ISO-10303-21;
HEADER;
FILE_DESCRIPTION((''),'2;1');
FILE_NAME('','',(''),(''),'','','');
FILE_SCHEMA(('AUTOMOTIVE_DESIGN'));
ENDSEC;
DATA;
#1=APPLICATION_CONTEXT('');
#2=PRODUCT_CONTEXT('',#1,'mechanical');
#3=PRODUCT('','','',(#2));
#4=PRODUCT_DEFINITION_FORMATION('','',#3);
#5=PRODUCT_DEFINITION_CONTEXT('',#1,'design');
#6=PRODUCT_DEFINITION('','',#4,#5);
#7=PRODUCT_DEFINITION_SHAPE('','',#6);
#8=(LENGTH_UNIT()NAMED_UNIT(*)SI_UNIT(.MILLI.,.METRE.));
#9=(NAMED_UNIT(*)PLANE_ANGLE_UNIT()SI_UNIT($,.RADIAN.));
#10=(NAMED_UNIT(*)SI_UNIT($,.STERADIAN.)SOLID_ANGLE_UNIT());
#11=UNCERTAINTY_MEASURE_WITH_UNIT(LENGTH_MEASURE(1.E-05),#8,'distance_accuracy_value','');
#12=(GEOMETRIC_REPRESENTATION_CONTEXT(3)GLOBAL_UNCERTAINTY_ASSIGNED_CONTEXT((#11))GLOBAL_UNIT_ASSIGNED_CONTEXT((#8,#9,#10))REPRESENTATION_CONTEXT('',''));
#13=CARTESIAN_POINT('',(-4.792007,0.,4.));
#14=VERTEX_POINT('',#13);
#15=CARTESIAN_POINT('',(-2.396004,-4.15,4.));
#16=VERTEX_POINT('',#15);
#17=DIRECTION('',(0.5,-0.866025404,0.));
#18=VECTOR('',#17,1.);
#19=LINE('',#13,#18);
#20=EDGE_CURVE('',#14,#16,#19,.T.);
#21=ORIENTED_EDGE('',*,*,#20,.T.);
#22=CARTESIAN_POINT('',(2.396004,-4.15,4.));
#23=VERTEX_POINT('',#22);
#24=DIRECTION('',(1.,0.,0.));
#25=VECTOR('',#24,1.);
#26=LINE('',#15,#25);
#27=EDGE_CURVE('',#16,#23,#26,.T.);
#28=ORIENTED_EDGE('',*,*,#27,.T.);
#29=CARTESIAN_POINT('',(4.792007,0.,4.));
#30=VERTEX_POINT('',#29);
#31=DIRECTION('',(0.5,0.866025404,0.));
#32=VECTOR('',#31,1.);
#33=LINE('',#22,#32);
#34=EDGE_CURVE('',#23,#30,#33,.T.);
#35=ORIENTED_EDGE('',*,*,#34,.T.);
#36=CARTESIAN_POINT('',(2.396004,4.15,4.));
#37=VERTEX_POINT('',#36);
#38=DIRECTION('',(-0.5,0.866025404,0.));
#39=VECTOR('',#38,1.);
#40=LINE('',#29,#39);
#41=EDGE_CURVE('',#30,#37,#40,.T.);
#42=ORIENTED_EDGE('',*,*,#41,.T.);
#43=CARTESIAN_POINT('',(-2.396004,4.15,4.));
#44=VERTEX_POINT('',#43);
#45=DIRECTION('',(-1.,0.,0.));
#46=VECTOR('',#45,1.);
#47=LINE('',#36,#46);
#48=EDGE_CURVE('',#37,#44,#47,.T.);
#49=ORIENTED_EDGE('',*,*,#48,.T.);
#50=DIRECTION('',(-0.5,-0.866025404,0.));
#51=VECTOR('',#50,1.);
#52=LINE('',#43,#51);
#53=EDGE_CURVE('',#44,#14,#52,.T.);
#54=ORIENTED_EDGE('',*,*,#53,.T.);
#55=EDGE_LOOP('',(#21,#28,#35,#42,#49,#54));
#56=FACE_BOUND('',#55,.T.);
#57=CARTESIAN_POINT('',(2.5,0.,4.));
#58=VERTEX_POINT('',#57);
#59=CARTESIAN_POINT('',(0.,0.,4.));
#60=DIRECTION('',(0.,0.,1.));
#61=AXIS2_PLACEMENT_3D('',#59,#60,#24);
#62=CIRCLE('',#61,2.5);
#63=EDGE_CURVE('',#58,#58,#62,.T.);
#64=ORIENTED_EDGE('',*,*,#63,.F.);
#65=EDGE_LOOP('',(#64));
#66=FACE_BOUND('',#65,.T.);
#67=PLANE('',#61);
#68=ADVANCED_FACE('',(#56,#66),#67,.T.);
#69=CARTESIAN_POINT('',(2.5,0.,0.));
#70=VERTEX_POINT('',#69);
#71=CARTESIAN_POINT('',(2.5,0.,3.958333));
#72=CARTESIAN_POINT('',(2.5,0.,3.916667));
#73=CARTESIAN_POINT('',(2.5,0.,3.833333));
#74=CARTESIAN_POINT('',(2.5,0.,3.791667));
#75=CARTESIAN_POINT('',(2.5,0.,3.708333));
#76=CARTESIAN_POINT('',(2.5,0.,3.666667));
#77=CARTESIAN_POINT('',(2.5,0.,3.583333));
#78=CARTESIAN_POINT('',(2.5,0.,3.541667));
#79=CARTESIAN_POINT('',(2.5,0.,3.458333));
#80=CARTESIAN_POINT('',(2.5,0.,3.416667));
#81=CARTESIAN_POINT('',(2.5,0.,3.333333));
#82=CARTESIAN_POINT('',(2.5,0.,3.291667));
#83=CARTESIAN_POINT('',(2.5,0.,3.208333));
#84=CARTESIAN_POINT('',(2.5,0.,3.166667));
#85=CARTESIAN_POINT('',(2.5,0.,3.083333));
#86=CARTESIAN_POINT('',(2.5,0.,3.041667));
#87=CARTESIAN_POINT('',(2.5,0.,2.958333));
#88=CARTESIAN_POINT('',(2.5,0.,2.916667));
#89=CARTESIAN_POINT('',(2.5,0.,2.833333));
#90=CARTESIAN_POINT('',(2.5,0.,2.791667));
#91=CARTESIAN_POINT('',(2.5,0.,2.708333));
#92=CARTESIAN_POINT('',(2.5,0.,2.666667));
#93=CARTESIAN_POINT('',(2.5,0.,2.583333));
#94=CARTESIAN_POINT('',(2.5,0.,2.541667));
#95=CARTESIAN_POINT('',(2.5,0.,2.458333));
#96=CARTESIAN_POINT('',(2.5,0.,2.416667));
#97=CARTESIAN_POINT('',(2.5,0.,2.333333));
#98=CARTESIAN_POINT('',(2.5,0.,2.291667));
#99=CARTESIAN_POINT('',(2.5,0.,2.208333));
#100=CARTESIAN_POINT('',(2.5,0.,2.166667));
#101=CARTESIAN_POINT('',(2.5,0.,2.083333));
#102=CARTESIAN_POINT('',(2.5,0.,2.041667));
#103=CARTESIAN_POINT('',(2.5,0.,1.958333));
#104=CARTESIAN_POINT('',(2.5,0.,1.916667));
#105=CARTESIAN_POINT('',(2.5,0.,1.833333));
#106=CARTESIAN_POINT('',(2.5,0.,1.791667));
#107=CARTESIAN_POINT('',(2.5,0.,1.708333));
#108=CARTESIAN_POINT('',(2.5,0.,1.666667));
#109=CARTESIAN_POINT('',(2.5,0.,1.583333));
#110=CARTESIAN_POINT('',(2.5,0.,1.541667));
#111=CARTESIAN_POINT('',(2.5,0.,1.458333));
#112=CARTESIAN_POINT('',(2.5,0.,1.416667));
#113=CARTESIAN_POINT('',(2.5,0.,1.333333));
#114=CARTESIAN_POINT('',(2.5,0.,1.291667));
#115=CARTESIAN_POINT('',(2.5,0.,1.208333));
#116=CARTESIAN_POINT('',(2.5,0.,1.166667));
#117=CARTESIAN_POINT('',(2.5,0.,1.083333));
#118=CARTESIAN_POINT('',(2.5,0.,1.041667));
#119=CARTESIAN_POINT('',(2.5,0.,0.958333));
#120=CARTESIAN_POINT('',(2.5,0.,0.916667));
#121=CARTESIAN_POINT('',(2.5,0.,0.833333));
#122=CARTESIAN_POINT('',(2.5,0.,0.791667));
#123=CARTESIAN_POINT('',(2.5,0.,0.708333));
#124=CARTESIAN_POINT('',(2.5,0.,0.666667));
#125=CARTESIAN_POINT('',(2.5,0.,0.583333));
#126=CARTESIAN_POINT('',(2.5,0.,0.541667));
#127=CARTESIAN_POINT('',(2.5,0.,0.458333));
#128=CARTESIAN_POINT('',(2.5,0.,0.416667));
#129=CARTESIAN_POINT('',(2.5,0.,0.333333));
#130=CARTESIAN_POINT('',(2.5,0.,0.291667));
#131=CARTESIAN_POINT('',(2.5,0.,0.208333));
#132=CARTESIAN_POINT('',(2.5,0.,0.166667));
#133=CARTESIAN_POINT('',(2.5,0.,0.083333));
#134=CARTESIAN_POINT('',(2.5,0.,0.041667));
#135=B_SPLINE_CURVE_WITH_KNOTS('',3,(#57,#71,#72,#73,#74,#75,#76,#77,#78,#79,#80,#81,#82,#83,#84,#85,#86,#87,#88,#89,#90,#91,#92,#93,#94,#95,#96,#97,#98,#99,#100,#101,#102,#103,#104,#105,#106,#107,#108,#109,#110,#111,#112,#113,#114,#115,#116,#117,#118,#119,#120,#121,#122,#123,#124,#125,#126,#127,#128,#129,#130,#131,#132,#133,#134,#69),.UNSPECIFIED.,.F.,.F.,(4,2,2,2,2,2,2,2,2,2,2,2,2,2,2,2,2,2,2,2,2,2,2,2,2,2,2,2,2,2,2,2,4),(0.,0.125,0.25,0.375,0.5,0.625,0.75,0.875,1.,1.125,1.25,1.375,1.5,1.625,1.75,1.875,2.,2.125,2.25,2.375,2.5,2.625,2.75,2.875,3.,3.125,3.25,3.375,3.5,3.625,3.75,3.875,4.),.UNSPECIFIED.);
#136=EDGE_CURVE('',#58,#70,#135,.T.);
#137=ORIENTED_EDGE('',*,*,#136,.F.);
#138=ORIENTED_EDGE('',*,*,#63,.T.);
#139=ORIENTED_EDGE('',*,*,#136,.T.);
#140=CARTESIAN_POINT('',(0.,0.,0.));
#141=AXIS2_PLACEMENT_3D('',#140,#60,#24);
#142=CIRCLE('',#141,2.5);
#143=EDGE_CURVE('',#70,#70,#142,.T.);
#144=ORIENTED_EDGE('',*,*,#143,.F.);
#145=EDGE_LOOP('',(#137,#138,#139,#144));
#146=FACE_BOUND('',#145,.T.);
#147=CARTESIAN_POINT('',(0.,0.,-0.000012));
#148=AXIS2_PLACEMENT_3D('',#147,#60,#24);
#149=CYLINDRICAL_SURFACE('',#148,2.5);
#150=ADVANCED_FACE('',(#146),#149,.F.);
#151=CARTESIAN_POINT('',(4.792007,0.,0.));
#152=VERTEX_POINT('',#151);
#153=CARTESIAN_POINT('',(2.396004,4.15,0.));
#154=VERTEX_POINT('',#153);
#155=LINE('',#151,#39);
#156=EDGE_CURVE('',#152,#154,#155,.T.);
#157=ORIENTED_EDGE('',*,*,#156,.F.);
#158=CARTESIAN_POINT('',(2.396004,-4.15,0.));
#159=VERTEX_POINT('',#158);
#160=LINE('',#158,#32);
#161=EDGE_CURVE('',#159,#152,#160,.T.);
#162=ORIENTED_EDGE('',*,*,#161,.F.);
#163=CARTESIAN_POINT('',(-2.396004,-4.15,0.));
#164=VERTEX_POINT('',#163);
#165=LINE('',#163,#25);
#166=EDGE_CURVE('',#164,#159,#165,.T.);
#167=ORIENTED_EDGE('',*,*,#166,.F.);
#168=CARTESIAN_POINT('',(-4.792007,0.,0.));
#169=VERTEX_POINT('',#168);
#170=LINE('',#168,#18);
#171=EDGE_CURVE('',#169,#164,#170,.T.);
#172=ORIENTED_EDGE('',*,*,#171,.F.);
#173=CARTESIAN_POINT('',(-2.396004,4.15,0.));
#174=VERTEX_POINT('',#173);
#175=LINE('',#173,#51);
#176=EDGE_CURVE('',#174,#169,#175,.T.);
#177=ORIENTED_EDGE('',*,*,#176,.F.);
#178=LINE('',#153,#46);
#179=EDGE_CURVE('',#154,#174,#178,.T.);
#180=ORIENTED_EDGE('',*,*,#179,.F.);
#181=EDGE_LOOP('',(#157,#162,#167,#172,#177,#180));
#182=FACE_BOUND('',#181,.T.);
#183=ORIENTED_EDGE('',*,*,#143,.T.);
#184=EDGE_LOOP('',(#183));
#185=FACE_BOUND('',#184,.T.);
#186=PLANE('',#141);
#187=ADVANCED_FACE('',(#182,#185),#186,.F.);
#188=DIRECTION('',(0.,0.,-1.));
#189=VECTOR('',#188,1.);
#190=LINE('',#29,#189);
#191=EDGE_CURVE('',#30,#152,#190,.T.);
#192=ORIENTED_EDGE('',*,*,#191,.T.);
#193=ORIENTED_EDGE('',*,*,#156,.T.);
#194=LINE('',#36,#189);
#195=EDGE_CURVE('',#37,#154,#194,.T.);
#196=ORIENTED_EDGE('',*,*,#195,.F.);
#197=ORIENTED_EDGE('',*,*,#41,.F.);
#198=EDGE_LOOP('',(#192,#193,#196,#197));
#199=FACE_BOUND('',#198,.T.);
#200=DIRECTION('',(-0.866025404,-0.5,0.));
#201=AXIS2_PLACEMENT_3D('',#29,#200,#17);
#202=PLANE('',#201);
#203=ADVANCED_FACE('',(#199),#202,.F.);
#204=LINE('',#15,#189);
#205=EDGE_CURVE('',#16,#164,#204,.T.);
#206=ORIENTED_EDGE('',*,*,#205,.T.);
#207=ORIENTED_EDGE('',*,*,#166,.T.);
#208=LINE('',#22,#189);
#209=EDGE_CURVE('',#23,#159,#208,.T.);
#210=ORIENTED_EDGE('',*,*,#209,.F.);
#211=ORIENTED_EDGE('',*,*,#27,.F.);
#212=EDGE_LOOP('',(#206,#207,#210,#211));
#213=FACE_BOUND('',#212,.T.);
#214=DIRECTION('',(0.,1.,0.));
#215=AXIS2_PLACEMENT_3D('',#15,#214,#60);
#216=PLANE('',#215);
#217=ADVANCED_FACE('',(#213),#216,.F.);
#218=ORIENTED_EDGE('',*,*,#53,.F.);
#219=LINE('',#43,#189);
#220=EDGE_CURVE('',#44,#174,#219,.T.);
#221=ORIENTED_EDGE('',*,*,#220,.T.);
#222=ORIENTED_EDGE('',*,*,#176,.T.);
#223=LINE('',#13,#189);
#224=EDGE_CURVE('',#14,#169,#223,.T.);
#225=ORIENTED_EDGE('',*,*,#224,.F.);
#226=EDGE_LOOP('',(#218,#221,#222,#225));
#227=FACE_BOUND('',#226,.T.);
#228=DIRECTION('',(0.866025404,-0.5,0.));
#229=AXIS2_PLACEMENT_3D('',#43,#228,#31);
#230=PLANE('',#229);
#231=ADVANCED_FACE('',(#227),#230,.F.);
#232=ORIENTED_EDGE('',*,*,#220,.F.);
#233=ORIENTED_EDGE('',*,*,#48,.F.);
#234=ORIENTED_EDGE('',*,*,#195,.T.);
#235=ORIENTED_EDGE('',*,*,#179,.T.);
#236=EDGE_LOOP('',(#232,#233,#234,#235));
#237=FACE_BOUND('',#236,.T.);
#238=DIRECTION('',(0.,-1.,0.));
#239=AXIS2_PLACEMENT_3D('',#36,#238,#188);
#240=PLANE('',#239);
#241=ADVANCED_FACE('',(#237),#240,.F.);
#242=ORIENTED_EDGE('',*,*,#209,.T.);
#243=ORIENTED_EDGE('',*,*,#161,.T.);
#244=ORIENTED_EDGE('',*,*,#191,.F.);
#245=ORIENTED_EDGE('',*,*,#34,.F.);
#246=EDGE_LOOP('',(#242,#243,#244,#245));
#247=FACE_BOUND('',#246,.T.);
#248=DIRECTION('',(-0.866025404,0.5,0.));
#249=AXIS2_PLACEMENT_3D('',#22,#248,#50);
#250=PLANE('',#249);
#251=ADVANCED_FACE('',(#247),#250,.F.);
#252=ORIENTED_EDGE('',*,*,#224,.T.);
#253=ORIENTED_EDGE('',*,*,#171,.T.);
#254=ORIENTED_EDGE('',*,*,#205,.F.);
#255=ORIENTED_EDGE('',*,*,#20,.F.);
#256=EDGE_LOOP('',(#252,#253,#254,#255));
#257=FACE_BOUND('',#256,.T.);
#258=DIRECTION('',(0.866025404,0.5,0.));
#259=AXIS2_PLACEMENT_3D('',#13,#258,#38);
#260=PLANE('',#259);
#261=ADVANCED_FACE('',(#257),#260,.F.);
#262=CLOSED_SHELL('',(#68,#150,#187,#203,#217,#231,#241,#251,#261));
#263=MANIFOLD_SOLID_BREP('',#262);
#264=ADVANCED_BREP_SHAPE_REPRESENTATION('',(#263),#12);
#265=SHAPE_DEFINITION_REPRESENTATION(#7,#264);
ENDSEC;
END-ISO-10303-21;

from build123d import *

# Parameters (mm, degrees)
EXTRUDE_485_DEPTH         = 4
CUT_EXTRUDE_M5_DEPTH      = 8.495721002
CUT_EXTRUDE_M5_DEPTH_BACK = 8.495721002
SKETCH_527_R              = 2.5


with BuildPart() as part:
    # Sketch 341 → Extrude 485 (new body)
    with BuildSketch(Plane.XY):
        Polygon((4.792007234, 0), (2.396003617, 4.15), (-2.396003617, 4.15), (-4.792007234, 0), (-2.396003617, -4.15), (2.396003617, -4.15), align=None)
    extrude(amount=EXTRUDE_485_DEPTH)

    # Sketch 527 → Отверстие_под_M5 (cut, two sides: drawn at the far end of the back side and taken through both)
    with BuildSketch(Plane.XY.offset(-CUT_EXTRUDE_M5_DEPTH_BACK)):
        Circle(SKETCH_527_R)
    extrude(amount=CUT_EXTRUDE_M5_DEPTH + CUT_EXTRUDE_M5_DEPTH_BACK, mode=Mode.SUBTRACT)


solid = part.part
